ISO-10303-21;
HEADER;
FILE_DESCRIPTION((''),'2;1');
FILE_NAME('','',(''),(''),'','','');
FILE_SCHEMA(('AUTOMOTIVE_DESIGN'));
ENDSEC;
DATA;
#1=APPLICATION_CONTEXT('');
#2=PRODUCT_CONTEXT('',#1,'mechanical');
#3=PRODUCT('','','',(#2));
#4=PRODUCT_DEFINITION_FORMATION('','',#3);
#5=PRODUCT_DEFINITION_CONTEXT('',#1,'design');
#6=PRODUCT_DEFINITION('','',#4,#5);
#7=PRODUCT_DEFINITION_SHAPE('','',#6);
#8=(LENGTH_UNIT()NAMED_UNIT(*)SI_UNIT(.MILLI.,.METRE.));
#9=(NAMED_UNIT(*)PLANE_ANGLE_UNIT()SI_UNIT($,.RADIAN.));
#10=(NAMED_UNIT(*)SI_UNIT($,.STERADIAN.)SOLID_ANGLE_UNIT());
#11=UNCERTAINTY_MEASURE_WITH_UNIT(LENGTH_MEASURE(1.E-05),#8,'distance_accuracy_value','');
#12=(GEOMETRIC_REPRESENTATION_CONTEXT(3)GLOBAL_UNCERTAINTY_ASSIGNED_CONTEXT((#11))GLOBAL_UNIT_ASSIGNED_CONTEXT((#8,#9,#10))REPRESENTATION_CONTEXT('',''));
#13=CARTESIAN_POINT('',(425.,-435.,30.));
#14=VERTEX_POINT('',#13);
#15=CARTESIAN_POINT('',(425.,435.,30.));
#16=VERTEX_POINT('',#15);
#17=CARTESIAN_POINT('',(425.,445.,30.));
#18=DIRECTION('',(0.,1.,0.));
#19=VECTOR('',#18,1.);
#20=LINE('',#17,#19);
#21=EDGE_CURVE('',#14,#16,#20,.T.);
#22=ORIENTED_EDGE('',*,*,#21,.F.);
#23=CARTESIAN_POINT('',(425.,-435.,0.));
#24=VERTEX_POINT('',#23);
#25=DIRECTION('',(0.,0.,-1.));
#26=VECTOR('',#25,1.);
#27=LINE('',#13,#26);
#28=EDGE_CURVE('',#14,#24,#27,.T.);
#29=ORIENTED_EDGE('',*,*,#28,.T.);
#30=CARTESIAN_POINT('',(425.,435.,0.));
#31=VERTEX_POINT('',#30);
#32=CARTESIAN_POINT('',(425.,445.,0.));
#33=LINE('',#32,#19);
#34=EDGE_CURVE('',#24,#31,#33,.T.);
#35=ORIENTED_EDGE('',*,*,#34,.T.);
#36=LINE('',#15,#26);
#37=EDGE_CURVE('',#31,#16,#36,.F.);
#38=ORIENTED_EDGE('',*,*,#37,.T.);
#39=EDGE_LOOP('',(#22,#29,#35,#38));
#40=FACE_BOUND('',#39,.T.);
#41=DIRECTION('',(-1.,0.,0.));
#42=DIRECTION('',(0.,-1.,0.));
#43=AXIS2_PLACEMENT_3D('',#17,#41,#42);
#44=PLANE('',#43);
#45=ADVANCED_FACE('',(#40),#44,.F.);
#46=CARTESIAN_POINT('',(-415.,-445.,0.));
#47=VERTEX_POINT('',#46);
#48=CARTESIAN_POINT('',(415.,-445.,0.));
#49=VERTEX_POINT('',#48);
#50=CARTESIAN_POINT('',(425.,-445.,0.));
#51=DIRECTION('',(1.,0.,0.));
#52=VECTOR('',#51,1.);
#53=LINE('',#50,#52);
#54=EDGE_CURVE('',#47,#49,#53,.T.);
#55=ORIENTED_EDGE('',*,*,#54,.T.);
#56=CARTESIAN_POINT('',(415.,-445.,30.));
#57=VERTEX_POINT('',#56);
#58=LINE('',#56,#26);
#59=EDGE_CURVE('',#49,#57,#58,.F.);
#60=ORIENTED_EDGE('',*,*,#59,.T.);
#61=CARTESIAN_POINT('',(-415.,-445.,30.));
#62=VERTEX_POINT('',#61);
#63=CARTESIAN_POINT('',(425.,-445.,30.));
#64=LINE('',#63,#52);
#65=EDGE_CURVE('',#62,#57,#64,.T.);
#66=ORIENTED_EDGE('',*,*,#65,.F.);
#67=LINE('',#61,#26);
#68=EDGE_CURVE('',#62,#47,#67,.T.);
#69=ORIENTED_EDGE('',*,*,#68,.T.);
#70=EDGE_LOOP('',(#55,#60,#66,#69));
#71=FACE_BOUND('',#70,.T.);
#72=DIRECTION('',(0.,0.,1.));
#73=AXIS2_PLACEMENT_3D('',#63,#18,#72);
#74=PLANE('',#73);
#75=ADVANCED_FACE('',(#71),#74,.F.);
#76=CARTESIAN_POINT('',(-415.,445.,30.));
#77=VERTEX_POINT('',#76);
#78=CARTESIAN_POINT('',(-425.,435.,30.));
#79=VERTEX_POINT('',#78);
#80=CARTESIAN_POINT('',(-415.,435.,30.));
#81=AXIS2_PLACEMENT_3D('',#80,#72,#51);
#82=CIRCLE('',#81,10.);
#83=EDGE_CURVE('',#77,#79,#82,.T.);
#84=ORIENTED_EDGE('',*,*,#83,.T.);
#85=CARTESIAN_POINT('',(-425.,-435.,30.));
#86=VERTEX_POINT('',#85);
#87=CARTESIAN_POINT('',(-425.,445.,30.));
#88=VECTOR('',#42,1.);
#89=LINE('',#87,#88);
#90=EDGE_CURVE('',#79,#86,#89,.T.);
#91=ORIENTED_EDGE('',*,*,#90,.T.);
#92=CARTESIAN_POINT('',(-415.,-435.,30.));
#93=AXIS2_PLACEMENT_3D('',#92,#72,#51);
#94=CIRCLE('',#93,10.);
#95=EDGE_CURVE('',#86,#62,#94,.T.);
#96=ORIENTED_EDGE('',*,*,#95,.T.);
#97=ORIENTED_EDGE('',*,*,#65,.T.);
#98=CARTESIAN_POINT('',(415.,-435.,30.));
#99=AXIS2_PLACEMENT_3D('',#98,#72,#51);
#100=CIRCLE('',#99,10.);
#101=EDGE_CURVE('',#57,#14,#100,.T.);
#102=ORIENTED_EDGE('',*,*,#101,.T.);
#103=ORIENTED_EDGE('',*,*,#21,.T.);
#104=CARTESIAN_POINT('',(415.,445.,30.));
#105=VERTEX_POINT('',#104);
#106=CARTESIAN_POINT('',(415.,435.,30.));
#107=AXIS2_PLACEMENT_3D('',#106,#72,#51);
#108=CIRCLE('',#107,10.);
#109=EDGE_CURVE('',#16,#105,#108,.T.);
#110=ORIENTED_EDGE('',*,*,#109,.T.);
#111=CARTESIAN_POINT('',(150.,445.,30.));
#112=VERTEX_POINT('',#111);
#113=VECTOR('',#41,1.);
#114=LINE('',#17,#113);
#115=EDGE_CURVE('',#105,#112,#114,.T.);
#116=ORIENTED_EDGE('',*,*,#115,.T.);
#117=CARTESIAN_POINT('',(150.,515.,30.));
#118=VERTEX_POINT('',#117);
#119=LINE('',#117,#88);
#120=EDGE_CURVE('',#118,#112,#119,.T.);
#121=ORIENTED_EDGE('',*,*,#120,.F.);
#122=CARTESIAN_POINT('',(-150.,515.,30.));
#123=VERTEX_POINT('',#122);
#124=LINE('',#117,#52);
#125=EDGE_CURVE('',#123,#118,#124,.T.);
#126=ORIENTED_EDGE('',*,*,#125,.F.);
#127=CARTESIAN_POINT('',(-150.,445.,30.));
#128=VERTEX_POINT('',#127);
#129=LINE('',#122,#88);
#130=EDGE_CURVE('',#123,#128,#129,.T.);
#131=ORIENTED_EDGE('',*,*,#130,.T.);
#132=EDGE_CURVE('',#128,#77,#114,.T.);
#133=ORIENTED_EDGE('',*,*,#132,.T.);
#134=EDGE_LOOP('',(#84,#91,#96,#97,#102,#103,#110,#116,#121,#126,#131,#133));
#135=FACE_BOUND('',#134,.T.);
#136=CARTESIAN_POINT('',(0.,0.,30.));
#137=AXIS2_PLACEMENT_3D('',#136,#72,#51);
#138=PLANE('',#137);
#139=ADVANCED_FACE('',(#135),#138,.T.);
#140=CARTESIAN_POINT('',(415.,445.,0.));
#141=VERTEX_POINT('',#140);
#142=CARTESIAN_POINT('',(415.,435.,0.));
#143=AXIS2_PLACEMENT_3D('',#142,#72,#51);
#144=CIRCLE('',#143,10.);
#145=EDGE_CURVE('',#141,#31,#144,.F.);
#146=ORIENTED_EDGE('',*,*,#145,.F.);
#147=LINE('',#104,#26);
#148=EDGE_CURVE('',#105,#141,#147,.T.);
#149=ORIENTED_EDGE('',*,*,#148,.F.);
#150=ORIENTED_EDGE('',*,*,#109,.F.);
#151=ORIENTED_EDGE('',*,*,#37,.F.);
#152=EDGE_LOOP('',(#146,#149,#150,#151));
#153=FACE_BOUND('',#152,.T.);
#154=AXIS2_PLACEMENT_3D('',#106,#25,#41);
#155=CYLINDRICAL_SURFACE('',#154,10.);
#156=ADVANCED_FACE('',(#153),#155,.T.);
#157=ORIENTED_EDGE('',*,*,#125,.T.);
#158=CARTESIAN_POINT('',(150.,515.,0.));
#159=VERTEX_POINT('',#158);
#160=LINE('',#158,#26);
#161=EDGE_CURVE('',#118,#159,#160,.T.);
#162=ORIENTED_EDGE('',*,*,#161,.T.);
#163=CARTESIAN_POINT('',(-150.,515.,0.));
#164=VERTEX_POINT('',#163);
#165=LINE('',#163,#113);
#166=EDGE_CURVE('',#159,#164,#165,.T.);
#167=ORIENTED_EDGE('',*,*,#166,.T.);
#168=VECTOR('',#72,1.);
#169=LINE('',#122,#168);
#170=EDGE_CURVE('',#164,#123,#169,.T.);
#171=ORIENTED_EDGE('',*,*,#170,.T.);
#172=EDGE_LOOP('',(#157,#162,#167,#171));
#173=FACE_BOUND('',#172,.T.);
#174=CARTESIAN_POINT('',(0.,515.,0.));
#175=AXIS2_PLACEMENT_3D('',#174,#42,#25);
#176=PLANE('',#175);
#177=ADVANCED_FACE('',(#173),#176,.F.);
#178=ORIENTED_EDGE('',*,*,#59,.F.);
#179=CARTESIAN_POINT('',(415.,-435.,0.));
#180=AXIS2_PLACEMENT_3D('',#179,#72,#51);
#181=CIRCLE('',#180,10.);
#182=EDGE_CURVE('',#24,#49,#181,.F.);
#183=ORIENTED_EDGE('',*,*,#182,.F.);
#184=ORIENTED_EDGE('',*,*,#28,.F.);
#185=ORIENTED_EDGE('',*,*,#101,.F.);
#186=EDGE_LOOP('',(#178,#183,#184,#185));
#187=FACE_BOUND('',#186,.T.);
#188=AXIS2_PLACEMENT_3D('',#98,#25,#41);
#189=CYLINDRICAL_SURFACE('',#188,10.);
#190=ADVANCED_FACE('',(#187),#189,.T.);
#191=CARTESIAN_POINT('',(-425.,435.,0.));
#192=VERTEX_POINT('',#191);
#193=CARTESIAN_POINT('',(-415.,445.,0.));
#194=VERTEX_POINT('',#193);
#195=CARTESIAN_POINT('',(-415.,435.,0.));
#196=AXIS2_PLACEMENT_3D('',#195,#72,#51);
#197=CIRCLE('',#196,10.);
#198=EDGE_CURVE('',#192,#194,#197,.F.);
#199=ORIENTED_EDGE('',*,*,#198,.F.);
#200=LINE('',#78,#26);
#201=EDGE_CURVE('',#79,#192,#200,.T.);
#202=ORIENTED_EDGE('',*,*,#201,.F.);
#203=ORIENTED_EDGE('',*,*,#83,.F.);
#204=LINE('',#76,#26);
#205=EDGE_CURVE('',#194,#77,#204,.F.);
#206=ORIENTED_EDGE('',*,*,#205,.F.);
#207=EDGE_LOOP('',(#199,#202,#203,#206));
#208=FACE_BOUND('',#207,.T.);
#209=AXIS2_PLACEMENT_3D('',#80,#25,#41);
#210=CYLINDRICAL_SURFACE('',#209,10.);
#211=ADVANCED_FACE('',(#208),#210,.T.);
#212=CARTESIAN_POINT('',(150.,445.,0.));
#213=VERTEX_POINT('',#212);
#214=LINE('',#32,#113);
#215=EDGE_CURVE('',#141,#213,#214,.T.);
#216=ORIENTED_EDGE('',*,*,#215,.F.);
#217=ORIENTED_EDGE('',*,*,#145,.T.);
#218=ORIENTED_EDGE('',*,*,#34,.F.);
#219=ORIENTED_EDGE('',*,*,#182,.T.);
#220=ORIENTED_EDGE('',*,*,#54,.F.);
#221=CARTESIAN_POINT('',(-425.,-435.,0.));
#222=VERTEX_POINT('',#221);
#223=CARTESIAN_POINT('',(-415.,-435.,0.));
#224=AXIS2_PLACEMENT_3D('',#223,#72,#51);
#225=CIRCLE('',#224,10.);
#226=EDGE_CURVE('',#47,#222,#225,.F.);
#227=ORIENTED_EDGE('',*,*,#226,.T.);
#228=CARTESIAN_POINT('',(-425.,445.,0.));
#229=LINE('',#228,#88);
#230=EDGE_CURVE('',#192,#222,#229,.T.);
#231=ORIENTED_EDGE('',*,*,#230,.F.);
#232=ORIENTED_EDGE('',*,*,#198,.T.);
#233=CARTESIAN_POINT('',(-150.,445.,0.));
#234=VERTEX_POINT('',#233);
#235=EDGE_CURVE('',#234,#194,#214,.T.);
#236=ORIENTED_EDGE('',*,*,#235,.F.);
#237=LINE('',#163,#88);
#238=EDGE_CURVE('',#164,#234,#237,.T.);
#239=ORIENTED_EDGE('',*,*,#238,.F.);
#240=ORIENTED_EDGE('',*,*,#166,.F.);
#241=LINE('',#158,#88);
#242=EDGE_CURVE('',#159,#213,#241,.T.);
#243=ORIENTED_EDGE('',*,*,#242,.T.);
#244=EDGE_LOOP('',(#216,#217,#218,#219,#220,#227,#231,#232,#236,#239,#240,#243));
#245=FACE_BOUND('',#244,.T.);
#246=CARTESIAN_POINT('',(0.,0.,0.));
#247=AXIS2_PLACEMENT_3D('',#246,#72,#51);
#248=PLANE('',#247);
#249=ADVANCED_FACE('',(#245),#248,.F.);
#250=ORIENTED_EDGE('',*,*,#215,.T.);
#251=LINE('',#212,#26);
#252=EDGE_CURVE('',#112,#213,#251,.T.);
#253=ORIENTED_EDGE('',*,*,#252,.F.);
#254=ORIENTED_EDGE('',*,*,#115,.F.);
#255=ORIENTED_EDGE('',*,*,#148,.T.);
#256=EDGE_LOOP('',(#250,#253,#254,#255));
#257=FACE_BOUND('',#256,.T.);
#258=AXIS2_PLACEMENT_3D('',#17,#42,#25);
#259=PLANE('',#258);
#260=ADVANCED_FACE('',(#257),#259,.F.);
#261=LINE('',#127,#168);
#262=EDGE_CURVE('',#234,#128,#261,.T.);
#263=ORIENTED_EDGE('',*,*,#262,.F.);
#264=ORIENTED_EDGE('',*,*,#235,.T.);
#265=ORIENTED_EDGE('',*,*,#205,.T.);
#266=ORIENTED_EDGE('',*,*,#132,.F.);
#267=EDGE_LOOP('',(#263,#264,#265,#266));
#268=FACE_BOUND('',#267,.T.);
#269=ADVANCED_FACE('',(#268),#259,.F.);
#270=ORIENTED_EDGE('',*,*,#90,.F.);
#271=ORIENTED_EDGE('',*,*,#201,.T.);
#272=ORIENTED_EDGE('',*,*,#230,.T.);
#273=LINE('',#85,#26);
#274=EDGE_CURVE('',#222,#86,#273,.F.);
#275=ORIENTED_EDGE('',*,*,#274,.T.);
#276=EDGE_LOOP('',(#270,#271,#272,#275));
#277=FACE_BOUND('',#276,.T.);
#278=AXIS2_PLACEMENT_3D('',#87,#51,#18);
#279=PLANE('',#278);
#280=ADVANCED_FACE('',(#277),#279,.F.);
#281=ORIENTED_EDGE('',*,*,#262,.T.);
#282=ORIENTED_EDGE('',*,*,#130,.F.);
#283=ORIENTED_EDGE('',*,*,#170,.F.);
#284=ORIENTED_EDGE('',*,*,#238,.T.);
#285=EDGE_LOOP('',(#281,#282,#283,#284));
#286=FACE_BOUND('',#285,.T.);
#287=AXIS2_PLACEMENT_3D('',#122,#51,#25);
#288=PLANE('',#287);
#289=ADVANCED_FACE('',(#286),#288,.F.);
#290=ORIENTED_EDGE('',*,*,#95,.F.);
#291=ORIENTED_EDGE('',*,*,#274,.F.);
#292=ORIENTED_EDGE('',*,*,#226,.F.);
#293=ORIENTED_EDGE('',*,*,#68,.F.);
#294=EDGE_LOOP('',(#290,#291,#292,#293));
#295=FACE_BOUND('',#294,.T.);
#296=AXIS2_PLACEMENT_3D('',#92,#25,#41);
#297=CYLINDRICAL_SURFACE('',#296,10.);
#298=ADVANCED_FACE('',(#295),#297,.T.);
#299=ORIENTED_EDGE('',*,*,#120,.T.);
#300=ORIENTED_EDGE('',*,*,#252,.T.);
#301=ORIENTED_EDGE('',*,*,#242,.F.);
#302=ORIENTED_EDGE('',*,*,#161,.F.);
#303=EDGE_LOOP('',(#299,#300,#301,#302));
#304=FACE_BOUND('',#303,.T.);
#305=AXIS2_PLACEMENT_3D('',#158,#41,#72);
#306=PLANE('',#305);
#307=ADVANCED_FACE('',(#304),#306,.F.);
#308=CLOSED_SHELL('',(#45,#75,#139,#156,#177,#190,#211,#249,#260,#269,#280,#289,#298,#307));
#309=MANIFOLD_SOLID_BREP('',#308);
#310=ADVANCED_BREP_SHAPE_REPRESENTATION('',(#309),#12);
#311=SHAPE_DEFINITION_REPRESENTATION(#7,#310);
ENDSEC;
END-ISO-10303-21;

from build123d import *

# Parameters (mm, degrees)
SKETCH1_W           = 890
SKETCH1_H           = 850
BOSS_EXTRUDE1_DEPTH = 30
FILLET1_R           = 10
BOSS_EXTRUDE3_DEPTH = 70


with BuildPart() as part:
    # Sketch1 → Boss-Extrude1 (new body)
    with BuildSketch(Plane(origin=(0, 0, 0), x_dir=(0, 1, 0), z_dir=(0, 0, 1))):
        Rectangle(SKETCH1_W, SKETCH1_H)
    extrude(amount=BOSS_EXTRUDE1_DEPTH)

    # Fillet1
    fillet1_edges = [part.edges().sort_by_distance(p)[0] for p in [
        (-425, -445, 15),
        (-425, 445, 15),
        (425, 445, 15),
        (425, -445, 15),
    ]]
    fillet(fillet1_edges, radius=FILLET1_R)

    # Sketch3 → Boss-Extrude3 (add)
    with BuildSketch(Plane(origin=(0, 445, 0), x_dir=(-1, 0, 0), z_dir=(0, 1, 0))):
        Polygon((0, 0), (-150, 0), (-150, 30), (150, 30), (150, 0), align=None)
    extrude(amount=BOSS_EXTRUDE3_DEPTH)


solid = part.part
